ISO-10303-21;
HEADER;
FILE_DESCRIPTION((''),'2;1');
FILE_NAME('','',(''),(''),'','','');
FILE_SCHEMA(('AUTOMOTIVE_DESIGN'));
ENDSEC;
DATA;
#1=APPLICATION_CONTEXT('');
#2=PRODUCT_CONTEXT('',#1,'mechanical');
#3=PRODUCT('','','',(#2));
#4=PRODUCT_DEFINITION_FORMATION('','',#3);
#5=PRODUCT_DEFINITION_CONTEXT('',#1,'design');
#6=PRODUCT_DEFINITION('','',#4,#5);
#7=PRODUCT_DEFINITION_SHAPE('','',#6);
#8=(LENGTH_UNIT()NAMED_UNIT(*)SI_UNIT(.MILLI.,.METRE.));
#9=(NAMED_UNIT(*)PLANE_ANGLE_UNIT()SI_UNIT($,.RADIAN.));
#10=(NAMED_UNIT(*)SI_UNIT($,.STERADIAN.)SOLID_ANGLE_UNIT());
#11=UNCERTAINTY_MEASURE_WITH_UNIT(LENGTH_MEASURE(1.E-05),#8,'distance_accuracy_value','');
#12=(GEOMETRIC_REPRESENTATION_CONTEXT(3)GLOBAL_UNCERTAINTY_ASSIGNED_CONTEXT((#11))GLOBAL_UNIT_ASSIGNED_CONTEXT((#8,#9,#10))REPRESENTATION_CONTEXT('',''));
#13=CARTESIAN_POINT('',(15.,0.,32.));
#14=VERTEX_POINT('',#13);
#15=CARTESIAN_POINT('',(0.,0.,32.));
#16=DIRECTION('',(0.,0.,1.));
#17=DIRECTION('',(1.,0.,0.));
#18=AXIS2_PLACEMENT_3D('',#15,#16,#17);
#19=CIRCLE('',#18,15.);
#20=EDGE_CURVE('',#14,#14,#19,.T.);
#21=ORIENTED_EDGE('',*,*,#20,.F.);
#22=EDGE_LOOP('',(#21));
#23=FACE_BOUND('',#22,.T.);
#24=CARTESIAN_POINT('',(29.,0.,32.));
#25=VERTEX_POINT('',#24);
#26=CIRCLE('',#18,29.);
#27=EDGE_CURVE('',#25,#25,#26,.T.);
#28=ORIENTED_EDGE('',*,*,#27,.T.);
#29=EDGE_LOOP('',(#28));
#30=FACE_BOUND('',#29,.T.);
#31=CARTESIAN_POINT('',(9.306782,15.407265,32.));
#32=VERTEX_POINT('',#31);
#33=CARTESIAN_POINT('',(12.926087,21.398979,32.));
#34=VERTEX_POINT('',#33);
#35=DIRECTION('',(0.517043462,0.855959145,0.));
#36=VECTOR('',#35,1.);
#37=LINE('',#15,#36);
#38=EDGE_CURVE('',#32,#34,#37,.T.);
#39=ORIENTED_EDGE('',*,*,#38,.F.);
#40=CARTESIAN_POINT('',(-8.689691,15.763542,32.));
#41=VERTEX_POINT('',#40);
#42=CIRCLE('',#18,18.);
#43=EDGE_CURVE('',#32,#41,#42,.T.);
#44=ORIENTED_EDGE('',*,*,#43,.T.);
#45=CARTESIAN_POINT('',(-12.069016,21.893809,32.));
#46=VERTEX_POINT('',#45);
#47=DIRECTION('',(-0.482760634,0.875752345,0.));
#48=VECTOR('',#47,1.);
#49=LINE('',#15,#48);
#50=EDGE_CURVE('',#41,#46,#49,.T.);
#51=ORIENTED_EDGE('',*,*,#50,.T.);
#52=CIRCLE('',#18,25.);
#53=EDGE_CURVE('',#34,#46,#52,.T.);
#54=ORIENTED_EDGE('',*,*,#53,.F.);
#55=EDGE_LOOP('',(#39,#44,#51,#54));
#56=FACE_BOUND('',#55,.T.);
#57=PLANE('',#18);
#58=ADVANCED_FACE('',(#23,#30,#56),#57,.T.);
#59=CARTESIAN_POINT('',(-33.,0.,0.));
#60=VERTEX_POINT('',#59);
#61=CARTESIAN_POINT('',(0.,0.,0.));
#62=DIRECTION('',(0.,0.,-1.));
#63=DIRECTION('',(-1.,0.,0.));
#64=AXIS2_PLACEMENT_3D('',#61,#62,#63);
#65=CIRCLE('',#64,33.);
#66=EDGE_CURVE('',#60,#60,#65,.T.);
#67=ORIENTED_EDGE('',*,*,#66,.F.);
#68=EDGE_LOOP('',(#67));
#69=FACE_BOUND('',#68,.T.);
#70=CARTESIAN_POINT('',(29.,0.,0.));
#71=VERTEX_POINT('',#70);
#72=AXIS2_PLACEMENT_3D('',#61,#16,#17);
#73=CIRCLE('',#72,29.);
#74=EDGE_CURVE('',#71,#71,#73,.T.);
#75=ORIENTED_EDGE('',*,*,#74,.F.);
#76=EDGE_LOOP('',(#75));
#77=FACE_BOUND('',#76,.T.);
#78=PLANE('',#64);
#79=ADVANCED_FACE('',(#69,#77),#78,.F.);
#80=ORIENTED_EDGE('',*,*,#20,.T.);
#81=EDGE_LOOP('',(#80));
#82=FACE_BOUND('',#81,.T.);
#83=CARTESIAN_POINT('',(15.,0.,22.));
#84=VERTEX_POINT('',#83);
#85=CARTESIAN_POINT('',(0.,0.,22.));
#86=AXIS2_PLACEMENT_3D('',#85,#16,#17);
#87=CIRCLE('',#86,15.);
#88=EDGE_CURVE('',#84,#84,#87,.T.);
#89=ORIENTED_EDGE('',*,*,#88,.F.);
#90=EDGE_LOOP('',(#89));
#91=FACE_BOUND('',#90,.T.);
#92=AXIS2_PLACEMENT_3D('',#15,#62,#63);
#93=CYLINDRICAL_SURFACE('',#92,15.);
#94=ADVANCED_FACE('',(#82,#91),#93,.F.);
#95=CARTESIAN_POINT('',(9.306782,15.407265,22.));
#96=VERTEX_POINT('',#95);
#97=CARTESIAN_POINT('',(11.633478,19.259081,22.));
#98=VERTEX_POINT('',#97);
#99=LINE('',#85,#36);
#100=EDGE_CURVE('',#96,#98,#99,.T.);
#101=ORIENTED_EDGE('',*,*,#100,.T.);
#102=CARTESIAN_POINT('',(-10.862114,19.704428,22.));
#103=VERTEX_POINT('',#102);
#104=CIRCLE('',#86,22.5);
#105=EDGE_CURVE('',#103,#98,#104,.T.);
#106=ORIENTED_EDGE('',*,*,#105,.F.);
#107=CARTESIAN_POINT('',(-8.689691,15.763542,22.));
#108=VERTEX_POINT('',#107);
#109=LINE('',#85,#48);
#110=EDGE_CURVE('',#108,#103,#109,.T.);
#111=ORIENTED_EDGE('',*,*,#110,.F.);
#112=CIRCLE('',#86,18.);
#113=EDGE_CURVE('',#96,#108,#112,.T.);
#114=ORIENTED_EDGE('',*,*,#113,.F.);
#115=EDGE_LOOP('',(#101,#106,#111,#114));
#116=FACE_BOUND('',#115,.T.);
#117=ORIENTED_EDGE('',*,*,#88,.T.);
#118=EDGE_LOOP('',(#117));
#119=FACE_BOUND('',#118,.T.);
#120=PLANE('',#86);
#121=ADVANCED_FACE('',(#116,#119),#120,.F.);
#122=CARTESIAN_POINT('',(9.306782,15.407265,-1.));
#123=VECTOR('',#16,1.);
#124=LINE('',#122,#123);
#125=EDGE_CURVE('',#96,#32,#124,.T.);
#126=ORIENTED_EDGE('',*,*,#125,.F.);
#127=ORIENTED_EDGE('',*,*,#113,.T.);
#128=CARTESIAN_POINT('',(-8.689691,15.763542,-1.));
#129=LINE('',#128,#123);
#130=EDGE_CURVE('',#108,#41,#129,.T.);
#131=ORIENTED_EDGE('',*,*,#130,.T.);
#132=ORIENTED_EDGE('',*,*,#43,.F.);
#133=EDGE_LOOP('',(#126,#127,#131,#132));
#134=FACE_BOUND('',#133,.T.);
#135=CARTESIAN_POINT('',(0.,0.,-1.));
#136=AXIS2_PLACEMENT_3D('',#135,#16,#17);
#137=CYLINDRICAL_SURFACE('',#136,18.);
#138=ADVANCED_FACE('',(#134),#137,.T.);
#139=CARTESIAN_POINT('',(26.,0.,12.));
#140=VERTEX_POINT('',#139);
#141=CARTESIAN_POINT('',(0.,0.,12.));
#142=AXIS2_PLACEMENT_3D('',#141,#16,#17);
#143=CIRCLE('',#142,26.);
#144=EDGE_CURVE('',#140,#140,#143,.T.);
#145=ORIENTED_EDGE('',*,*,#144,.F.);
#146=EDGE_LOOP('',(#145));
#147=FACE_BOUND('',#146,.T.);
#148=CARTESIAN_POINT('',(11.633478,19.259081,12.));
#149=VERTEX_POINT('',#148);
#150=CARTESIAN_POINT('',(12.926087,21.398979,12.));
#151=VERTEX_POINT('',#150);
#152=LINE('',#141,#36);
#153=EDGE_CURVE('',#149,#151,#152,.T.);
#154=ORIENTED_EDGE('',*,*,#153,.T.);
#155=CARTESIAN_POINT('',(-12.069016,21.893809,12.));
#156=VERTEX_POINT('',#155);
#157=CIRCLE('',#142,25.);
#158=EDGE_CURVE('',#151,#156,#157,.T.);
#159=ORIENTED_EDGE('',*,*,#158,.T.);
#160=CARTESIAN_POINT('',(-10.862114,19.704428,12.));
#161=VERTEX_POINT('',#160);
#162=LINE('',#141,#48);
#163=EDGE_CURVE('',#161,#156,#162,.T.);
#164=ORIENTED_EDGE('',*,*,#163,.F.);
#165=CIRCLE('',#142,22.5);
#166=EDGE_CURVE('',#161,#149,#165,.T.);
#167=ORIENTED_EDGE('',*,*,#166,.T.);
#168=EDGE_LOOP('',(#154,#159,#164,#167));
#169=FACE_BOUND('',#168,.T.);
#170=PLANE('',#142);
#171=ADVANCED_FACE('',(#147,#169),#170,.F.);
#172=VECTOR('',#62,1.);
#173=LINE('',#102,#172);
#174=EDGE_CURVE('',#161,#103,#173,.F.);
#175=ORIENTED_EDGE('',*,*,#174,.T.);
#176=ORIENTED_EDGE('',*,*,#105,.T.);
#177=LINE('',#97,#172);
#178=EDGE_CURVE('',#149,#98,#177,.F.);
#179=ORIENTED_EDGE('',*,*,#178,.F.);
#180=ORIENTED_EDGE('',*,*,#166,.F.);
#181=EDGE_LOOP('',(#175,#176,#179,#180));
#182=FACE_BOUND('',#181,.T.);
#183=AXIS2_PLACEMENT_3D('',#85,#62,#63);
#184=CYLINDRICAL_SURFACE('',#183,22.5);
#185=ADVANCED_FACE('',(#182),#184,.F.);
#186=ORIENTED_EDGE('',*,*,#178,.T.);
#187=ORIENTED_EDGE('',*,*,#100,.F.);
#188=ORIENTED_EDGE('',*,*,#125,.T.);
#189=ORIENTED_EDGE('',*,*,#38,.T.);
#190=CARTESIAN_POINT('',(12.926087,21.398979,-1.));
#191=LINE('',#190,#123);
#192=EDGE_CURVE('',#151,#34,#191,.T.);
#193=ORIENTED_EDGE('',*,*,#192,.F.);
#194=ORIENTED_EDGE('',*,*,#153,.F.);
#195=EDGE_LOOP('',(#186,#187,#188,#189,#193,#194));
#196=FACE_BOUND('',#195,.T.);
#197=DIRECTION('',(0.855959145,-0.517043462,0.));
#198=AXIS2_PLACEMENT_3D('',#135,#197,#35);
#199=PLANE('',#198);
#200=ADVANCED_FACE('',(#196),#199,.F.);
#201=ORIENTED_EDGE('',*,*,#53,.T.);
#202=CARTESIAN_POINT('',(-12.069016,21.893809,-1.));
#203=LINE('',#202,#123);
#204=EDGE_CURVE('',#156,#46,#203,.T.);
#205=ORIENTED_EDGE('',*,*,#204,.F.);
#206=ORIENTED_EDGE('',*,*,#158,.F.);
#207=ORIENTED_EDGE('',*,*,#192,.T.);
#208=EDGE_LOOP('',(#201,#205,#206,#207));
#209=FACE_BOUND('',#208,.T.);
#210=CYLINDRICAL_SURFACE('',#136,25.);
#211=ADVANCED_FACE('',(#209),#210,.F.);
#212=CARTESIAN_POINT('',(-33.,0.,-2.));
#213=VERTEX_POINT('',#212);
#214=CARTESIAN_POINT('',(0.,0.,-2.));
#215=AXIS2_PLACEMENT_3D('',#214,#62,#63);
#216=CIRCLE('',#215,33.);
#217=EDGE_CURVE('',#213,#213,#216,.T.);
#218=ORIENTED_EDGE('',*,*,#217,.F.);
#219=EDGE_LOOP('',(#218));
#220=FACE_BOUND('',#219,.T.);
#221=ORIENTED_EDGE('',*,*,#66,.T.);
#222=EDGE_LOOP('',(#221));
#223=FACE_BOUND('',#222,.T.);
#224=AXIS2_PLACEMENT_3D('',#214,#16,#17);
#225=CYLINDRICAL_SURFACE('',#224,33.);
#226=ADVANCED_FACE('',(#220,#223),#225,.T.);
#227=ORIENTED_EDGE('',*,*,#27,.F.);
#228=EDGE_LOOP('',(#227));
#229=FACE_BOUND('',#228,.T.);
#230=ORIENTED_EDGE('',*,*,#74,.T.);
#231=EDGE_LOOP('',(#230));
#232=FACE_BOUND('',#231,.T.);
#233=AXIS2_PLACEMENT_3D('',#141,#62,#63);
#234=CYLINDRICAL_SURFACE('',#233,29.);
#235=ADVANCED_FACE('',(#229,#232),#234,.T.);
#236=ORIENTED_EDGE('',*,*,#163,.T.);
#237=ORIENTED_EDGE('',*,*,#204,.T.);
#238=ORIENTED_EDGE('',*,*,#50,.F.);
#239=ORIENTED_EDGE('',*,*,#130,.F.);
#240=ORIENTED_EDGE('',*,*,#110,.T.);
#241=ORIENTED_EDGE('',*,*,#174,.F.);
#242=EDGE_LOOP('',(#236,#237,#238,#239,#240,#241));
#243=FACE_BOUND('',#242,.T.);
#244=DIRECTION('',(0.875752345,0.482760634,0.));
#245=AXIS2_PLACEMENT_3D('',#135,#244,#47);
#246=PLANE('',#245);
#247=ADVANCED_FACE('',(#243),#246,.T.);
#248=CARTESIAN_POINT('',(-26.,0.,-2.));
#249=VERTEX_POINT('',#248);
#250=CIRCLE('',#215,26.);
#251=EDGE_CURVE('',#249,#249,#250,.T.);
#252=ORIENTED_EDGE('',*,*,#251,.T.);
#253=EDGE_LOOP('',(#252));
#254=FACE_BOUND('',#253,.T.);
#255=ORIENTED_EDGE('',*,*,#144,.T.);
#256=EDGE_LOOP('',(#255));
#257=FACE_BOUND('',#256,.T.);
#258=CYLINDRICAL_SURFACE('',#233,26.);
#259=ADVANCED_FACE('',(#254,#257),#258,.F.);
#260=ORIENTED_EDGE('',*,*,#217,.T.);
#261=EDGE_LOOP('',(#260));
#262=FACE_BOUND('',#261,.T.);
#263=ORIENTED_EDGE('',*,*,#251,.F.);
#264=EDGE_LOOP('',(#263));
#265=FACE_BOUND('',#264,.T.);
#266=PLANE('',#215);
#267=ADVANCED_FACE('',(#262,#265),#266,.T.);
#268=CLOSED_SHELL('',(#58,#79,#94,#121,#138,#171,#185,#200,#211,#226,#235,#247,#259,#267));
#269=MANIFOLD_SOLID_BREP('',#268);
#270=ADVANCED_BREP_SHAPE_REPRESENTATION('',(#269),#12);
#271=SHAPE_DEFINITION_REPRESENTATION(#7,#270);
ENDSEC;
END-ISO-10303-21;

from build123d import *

# Parameters (mm, degrees)
SKETCH_1_R          = 29
SKETCH_1_R_2        = 26
EXTRUDE_1_DEPTH     = 12
SKETCH_2_R          = 29
SKETCH_2_R_2        = 22.5
EXTRUDE_2_DEPTH     = 10
SKETCH_3_R          = 29
SKETCH_3_R_2        = 15
EXTRUDE_3_DEPTH     = 10
CUT_EXTRUDE_1_DEPTH = 33
EXTRUDE_START       = 2
SKETCH_5_R          = 33
SKETCH_5_R_2        = 26
EXTRUDE_4_DEPTH     = 2


with BuildPart() as part:
    # 草图1 → 凸台-拉伸1 (new body)
    with BuildSketch(Plane.XY):
        Circle(SKETCH_1_R)
        Circle(SKETCH_1_R_2, mode=Mode.SUBTRACT)
    extrude(amount=EXTRUDE_1_DEPTH)

    # 草图2 → 凸台-拉伸2 (add)
    with BuildSketch(Plane.XY.offset(12)):
        Circle(SKETCH_2_R)
        Circle(SKETCH_2_R_2, mode=Mode.SUBTRACT)
    extrude(amount=EXTRUDE_2_DEPTH)

    # 草图3 → 凸台-拉伸3 (add)
    with BuildSketch(Plane.XY.offset(22)):
        Circle(SKETCH_3_R)
        Circle(SKETCH_3_R_2, mode=Mode.SUBTRACT)
    extrude(amount=EXTRUDE_3_DEPTH)

    # 草图4 → 切除-拉伸1 (cut)
    with BuildSketch(Plane.XY.offset(32)):
        with BuildLine():
            Line((9.306782311, 15.407264618), (12.926086543, 21.398978637))
            ThreePointArc((12.926086543, 21.398978637), (0.494829999, 24.995102386), (-12.069015843, 21.893808636))
            Line((-12.069015843, 21.893808636), (-8.689691407, 15.763542218))
            ThreePointArc((-8.689691407, 15.763542218), (0.3562776, 17.996473718), (9.306782311, 15.407264618))
        make_face()
    extrude(amount=-CUT_EXTRUDE_1_DEPTH, mode=Mode.SUBTRACT)

    # 草图5 → 凸台-拉伸4 (add)
    with BuildSketch(Plane(origin=(0, 0, 0), x_dir=(-1, 0, 0), z_dir=(0, 0, -1)).offset(EXTRUDE_START)):
        Circle(SKETCH_5_R)
        Circle(SKETCH_5_R_2, mode=Mode.SUBTRACT)
    extrude(amount=-EXTRUDE_4_DEPTH)


solid = part.part
